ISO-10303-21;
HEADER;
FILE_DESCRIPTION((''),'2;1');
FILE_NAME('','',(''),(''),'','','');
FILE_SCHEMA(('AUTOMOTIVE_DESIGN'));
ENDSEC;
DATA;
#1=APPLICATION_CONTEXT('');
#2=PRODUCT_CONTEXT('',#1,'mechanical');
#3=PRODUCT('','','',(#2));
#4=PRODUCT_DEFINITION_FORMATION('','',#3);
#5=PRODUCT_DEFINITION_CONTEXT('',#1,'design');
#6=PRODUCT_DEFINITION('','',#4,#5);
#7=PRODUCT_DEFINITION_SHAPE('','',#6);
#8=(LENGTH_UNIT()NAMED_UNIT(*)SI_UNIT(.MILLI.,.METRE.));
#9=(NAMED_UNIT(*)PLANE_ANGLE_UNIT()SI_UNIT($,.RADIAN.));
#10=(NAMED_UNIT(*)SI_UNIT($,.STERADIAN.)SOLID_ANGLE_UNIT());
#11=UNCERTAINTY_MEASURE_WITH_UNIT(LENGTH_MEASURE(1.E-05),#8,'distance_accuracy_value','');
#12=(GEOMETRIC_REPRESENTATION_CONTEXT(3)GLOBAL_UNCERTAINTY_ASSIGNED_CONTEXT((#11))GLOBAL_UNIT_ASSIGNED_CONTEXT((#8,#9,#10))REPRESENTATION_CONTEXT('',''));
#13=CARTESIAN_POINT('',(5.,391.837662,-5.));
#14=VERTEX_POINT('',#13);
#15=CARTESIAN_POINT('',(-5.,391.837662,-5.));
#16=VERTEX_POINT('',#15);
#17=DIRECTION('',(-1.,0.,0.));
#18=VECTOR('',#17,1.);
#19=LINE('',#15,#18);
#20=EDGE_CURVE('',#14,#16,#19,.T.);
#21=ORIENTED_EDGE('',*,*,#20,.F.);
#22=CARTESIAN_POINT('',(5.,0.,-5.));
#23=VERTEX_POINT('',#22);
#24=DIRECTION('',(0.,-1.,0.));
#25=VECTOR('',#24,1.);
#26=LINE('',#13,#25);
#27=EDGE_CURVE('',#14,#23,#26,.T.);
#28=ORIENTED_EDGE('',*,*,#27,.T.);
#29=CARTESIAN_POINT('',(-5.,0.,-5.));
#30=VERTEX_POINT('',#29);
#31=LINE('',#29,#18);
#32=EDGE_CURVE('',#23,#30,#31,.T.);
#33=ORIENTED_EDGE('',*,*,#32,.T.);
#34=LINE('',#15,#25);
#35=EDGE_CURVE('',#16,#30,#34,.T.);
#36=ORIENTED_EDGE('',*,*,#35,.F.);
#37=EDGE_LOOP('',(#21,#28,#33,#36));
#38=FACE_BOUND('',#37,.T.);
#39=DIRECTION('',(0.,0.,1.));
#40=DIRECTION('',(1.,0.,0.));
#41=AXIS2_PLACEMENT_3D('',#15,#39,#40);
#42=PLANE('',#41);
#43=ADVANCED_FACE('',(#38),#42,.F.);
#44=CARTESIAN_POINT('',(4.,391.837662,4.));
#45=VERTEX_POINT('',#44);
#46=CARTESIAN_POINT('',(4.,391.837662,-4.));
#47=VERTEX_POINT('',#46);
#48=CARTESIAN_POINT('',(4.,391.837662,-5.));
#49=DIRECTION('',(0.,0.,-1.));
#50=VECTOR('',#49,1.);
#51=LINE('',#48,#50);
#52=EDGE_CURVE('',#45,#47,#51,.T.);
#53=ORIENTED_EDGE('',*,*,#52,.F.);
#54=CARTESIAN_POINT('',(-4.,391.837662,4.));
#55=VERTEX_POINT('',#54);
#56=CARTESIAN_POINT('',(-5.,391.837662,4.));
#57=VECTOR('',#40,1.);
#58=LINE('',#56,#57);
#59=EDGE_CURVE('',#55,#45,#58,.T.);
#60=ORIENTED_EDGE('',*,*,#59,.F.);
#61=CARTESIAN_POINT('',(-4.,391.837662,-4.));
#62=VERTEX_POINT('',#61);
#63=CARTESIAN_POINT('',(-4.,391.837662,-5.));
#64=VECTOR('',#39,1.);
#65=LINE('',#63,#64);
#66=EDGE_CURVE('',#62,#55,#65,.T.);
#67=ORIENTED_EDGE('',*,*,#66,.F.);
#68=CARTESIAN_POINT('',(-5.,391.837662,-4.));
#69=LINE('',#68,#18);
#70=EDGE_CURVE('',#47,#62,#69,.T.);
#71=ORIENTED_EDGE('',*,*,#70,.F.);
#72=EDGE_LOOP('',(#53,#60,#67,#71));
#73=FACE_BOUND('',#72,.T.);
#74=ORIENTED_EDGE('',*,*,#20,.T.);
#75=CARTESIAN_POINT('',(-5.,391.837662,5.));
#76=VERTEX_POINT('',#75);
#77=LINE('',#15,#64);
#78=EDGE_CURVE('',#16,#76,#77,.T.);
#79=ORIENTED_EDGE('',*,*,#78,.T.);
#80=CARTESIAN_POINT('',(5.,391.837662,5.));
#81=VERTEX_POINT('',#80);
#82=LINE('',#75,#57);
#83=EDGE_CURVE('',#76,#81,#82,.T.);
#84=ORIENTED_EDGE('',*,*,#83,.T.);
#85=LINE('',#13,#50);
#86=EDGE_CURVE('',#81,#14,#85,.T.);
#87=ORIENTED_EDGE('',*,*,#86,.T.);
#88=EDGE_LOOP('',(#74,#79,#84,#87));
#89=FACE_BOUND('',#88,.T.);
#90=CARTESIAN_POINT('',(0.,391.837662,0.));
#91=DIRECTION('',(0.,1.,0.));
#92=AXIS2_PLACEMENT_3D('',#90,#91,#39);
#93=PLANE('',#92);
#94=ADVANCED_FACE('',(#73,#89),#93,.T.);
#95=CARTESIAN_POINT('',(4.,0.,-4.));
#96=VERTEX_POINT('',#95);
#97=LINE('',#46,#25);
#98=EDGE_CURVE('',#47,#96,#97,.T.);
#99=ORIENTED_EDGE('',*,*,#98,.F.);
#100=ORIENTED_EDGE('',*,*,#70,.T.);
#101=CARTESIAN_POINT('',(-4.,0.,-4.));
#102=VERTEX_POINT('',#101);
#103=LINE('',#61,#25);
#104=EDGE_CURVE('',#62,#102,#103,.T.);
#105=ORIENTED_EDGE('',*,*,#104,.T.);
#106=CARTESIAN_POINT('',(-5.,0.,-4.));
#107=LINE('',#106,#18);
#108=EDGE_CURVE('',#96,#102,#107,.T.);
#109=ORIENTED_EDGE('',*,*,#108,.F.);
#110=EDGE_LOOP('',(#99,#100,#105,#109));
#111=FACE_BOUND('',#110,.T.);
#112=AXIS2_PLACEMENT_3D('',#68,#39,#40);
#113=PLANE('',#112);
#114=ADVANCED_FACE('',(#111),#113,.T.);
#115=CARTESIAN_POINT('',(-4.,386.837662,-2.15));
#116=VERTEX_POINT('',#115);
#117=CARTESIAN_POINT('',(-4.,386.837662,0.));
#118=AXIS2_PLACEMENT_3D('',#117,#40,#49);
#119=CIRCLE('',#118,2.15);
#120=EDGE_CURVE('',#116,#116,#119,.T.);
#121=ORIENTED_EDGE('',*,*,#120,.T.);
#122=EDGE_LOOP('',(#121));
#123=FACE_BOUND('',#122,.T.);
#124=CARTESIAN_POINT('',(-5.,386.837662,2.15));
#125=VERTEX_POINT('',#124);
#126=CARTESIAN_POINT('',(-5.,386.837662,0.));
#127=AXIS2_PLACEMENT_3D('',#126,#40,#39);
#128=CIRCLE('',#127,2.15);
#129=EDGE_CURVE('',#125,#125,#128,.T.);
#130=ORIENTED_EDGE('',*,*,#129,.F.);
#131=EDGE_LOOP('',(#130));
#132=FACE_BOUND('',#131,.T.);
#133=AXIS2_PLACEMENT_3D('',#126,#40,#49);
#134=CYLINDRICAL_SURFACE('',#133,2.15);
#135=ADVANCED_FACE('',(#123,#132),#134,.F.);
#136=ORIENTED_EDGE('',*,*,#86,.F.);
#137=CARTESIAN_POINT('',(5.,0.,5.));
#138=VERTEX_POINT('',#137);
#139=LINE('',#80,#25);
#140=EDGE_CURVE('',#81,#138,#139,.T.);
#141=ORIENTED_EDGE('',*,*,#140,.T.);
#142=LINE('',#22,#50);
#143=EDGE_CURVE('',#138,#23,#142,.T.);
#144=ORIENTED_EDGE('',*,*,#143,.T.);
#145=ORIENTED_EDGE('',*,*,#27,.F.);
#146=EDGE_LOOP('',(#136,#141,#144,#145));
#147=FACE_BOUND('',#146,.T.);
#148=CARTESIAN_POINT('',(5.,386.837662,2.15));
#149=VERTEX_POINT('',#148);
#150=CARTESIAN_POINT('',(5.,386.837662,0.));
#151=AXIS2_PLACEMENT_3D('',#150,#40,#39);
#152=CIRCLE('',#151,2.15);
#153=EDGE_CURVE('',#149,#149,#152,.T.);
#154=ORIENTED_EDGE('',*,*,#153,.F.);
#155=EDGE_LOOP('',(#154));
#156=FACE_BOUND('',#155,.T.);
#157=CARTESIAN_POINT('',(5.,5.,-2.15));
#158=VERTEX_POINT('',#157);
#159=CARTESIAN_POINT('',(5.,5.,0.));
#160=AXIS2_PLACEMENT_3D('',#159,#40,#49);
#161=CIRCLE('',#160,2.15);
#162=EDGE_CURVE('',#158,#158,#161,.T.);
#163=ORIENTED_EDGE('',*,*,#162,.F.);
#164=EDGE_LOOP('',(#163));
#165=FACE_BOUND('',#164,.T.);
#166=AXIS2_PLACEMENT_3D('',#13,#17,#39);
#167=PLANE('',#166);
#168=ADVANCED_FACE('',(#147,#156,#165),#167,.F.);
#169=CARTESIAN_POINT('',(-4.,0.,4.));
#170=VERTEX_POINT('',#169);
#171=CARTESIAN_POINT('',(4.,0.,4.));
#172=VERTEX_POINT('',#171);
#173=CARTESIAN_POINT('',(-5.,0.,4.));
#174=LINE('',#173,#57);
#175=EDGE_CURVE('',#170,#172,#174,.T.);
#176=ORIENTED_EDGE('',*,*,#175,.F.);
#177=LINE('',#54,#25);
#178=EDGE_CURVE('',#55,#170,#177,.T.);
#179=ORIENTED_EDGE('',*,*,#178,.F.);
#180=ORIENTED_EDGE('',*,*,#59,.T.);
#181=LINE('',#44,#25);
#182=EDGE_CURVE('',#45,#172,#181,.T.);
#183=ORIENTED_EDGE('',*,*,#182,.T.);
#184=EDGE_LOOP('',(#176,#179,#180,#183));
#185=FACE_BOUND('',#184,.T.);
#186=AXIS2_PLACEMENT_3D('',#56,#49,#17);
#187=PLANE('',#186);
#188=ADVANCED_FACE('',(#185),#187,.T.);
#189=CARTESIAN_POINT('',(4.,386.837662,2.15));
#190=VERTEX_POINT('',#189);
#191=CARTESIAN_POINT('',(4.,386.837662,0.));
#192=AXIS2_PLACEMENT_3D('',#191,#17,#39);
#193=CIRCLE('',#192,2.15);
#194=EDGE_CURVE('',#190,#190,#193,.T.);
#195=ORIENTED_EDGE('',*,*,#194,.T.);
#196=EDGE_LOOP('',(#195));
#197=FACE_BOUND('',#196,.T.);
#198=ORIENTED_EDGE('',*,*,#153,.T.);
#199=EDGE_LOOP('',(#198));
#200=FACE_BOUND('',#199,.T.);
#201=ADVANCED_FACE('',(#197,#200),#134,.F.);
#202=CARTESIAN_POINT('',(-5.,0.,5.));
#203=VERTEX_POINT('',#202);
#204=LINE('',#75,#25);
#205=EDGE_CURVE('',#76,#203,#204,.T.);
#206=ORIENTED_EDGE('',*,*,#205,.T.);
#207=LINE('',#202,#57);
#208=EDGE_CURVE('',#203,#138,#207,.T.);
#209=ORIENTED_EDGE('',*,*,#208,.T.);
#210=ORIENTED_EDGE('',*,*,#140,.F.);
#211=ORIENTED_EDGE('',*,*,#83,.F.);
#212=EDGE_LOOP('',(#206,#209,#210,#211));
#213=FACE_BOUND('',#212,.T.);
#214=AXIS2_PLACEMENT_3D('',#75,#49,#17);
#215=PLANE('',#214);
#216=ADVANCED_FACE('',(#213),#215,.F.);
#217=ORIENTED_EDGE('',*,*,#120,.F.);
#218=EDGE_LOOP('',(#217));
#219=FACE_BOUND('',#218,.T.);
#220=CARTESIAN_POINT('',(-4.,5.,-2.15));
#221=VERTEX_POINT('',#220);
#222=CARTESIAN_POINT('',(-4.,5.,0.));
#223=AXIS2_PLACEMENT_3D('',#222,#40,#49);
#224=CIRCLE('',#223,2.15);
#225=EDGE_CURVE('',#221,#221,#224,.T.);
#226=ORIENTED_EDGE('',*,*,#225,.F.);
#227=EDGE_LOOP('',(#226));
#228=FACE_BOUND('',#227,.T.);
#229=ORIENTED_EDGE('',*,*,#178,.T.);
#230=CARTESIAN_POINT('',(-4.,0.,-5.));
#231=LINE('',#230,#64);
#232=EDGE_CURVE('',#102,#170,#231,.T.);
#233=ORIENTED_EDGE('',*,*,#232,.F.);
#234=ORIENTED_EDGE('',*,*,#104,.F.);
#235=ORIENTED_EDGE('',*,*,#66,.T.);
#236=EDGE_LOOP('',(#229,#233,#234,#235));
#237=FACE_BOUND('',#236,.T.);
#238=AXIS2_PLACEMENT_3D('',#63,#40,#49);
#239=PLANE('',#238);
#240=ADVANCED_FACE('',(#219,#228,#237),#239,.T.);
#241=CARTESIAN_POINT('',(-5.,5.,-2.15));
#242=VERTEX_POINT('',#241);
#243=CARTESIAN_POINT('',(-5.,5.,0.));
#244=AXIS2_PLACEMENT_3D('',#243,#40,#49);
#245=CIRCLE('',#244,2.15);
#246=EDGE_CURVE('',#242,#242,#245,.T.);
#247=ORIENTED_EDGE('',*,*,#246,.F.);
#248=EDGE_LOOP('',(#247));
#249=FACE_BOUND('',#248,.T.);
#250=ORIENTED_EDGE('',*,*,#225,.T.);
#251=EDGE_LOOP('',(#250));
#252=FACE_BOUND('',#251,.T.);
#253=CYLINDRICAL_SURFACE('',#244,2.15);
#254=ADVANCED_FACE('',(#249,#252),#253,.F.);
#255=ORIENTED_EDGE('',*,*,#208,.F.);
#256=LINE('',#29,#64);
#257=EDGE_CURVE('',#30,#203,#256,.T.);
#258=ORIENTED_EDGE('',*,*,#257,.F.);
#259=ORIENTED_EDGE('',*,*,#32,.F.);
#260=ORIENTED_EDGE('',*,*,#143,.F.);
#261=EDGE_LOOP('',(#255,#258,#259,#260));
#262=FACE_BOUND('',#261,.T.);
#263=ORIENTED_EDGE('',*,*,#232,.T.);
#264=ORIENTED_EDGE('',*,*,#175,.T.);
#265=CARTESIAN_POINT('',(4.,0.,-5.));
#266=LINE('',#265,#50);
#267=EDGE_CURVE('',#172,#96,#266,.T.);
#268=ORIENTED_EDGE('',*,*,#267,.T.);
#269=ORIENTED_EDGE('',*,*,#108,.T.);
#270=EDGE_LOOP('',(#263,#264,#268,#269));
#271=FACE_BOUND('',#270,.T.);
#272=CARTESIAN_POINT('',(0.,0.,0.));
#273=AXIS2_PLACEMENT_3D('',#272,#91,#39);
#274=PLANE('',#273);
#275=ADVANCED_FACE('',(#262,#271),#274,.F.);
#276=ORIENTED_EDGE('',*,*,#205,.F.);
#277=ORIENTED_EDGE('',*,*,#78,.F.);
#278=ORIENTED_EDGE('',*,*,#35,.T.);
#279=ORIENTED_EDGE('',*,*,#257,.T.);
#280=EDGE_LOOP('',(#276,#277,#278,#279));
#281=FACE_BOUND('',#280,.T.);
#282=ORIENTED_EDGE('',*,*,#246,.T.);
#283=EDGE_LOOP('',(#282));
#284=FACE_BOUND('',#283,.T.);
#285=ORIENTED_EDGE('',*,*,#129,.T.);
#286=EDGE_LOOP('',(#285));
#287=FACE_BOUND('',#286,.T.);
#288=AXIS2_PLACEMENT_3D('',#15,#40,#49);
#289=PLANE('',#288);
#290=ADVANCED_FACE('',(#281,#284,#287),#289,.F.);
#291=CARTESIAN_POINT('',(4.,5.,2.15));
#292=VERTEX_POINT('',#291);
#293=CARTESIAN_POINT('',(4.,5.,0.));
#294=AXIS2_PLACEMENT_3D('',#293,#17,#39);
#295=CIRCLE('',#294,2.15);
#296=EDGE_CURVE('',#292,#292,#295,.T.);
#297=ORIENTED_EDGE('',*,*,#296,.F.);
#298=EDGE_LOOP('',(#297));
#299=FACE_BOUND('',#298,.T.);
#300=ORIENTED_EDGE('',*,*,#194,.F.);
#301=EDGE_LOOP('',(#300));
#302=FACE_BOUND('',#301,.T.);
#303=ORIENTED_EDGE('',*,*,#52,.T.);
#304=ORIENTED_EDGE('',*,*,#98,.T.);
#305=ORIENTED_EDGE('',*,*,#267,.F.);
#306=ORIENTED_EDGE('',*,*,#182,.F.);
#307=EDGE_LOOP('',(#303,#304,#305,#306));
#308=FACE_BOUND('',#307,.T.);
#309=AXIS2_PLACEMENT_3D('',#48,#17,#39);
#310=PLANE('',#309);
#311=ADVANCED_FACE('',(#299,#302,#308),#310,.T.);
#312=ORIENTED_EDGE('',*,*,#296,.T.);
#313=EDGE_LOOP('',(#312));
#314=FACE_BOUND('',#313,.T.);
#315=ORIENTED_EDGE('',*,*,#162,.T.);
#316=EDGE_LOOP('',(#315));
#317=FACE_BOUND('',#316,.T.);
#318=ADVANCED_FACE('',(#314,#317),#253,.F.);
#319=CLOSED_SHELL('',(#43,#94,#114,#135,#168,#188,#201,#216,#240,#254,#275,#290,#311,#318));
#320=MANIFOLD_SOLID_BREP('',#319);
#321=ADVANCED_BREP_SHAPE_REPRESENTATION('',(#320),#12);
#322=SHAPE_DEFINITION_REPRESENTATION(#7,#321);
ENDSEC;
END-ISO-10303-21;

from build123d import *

# Parameters (mm, degrees)
SKETCH_1_W          = 10
SKETCH_1_H          = 10
SKETCH_1_W_2        = 8
SKETCH_1_H_2        = 8
EXTRUDE_1_DEPTH     = 391.837661841
SKETCH_2_R          = 2.15
CUT_EXTRUDE_1_DEPTH = 392.99713422


with BuildPart() as part:
    # ｽｹｯﾁ1 → 押し出し-薄板1 (new body)
    with BuildSketch(Plane(origin=(0, 0, 0), x_dir=(1, 0, 0), z_dir=(0, 1, 0))):
        Rectangle(SKETCH_1_W, SKETCH_1_H)
        Rectangle(SKETCH_1_W_2, SKETCH_1_H_2, mode=Mode.SUBTRACT)
    extrude(amount=EXTRUDE_1_DEPTH)

    # ｽｹｯﾁ2 → ｶｯﾄ - 押し出し1 (cut, through all)
    with BuildSketch(Plane(origin=(5, 0, 0), x_dir=(0, 0, -1), z_dir=(1, 0, 0))):
        with Locations((0, 5)):
            Circle(SKETCH_2_R)
        with Locations((0, 386.837661841)):
            Circle(SKETCH_2_R)
    extrude(amount=-CUT_EXTRUDE_1_DEPTH, mode=Mode.SUBTRACT)


solid = part.part
